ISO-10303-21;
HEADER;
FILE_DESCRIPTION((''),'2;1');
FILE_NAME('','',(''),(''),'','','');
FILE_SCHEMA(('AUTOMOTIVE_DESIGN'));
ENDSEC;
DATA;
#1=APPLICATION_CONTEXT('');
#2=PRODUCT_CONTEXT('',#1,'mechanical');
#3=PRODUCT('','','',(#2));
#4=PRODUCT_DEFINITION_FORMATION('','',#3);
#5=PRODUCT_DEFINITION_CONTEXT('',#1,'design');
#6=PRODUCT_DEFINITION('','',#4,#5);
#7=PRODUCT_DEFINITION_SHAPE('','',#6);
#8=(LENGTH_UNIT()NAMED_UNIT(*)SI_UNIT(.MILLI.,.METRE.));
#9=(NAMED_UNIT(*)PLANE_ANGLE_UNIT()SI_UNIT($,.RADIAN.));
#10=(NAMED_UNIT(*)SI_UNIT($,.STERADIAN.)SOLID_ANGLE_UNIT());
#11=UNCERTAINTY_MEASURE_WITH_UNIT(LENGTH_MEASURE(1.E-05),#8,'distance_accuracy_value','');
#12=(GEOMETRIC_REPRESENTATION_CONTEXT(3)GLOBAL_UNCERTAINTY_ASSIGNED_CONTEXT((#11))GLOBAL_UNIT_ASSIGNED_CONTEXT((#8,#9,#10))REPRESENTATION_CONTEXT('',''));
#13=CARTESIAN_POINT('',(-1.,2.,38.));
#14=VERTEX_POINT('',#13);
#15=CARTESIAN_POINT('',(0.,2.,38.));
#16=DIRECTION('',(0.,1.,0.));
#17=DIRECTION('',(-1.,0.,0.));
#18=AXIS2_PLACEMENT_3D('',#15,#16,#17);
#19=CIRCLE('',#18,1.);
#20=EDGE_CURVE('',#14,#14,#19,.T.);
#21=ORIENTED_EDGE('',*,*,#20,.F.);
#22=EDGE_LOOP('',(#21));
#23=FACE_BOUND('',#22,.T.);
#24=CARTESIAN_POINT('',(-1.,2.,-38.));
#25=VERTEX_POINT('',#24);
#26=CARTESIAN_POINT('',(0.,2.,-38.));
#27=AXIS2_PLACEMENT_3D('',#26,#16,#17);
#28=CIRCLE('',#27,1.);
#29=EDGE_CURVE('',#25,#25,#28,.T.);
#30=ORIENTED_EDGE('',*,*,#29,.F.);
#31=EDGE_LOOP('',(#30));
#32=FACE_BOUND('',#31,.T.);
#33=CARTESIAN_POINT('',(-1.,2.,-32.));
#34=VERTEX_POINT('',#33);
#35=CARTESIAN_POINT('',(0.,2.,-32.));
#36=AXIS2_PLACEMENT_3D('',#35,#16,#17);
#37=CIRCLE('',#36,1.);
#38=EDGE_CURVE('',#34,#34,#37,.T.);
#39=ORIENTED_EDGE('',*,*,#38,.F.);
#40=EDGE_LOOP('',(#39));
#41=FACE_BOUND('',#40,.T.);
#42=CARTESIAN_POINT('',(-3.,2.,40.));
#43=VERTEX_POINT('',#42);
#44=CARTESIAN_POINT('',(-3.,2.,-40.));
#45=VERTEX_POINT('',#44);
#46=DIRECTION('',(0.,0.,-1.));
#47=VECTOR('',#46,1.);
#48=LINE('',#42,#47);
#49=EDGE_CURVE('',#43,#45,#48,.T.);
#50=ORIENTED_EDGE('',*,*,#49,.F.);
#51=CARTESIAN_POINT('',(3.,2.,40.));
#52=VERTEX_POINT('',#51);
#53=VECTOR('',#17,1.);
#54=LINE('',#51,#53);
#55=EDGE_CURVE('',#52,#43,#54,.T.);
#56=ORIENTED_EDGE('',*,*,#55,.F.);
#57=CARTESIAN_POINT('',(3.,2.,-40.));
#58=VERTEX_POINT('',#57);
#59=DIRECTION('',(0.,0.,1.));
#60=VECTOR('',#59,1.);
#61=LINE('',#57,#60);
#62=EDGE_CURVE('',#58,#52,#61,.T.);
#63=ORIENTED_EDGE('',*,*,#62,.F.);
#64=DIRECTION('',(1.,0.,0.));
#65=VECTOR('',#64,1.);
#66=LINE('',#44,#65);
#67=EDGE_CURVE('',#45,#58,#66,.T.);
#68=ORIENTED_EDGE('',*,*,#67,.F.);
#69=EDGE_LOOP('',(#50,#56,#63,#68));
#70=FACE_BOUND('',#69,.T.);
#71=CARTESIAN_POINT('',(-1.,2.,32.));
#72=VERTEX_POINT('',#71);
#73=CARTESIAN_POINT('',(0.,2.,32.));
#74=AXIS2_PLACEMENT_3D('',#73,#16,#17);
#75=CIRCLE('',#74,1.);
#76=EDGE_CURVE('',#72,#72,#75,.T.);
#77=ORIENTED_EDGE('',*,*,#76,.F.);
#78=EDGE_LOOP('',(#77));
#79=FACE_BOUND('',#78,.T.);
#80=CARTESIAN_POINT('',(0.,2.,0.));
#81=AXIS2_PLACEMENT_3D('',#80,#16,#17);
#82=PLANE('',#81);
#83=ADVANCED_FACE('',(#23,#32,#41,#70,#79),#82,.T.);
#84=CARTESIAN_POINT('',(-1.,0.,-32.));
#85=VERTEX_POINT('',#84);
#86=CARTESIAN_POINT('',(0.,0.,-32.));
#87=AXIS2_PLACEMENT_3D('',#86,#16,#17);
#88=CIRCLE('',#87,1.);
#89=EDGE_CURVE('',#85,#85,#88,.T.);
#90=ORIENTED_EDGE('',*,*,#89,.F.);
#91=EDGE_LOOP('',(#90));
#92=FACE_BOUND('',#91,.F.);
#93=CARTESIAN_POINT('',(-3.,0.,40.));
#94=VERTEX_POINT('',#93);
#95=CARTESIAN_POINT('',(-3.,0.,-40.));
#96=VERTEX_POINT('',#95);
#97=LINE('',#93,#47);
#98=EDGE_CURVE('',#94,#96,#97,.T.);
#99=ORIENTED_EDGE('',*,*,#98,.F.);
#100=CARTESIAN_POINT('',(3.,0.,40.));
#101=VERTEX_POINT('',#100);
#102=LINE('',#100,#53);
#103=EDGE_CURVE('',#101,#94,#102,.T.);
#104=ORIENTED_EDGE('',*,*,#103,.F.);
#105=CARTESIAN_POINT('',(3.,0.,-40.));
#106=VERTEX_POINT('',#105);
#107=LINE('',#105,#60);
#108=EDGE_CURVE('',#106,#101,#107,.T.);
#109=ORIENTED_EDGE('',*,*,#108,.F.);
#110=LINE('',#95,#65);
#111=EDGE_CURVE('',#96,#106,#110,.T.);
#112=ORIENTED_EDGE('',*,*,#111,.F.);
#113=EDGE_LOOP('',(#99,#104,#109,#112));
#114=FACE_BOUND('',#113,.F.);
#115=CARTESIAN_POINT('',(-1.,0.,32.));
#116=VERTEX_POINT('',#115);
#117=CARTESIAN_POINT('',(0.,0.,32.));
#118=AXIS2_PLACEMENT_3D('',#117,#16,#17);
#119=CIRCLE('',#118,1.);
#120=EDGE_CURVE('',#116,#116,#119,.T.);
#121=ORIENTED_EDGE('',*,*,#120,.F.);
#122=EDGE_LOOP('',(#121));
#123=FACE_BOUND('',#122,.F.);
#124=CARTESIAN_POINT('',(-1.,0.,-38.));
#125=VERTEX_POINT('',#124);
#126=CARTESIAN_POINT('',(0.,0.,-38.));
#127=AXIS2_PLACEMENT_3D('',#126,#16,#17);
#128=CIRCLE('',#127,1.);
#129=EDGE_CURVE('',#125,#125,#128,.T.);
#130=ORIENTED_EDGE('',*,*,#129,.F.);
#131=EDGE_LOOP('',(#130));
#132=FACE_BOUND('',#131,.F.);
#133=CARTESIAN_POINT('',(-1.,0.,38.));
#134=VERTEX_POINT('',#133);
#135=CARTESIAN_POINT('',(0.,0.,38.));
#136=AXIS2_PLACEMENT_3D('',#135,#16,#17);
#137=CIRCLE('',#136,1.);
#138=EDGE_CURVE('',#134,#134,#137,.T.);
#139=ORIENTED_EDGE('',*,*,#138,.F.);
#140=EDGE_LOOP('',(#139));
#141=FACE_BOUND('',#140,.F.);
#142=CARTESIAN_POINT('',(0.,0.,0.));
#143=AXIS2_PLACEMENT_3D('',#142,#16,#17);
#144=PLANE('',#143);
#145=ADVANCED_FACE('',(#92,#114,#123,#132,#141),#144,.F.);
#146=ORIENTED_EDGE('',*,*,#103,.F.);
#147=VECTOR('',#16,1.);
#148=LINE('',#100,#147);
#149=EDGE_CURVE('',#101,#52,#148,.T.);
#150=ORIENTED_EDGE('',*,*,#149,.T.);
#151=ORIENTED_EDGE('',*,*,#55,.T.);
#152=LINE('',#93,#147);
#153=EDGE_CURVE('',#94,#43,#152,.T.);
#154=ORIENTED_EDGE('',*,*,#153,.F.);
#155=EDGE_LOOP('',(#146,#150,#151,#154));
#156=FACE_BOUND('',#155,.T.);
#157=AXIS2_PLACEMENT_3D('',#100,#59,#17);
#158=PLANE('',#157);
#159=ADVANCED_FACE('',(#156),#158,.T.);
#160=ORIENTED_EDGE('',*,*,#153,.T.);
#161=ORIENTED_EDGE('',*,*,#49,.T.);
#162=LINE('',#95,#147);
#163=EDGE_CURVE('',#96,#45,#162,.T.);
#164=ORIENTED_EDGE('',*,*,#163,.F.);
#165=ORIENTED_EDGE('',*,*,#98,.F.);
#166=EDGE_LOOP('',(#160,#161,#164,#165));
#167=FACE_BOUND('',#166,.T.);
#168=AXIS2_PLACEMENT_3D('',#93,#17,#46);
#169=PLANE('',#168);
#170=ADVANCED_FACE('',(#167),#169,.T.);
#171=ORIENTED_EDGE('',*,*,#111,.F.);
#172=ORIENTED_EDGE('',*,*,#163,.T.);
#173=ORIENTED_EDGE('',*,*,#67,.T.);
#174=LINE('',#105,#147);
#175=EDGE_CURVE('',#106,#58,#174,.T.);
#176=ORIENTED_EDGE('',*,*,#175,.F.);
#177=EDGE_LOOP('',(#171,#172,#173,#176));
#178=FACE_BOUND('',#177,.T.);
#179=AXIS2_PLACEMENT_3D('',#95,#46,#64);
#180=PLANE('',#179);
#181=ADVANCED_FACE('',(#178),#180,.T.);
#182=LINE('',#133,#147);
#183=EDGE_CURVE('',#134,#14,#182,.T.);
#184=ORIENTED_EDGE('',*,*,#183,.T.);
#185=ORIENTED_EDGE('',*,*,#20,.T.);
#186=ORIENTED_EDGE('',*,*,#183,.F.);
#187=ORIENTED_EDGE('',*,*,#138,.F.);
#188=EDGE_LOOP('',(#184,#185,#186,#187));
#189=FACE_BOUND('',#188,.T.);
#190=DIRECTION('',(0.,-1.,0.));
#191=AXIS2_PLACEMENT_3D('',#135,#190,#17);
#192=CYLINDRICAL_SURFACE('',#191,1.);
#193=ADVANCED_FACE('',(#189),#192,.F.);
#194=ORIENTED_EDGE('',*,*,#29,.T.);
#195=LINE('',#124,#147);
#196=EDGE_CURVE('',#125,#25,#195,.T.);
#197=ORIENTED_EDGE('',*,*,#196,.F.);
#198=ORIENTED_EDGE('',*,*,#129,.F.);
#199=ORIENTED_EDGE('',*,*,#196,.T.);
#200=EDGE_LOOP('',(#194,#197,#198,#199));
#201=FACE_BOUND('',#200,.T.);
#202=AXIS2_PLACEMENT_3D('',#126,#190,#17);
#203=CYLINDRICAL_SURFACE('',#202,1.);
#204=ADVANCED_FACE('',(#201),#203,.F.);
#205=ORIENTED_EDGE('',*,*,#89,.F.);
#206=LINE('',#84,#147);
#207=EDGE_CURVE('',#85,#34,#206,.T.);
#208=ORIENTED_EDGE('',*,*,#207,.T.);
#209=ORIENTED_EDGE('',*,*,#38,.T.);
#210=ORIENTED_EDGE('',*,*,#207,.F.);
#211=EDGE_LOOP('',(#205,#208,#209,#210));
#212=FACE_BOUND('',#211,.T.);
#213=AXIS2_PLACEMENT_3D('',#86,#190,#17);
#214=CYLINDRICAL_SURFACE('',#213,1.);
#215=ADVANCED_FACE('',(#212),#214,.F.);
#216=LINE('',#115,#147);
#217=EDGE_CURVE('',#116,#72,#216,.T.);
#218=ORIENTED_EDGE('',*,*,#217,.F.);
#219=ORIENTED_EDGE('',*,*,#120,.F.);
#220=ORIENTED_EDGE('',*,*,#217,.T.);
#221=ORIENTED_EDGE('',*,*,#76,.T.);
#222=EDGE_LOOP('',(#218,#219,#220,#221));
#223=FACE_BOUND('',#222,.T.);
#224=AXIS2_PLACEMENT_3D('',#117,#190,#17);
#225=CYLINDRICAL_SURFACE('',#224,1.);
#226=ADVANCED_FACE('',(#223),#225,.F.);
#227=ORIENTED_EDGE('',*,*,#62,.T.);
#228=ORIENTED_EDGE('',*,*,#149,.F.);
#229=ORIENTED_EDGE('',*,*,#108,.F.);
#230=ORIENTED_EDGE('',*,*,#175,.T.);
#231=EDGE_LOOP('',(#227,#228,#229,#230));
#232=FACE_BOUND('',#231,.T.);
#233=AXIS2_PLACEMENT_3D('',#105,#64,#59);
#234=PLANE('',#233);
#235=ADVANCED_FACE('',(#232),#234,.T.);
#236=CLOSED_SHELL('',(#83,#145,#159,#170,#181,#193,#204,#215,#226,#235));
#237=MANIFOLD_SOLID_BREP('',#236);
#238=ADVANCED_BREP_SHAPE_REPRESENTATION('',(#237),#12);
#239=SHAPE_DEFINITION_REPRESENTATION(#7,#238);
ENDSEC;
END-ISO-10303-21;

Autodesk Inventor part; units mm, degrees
ref_plane "YZ Plane" through (0, 0, 0) normal (1, 0, 0) x (0, 1, 0)
ref_plane "XZ Plane" through (0, 0, 0) normal (0, 1, 0) x (-1, 0, 0)
ref_plane "XY Plane" through (0, 0, 0) normal (0, 0, 1) x (1, 0, 0)
sketch "Sketch1" plane through (0, 0, 0) normal (0, 1, 0) x (-1, 0, 0)
  line L0 (-3, 40) -> (3, 40)
  line L1 (3, 40) -> (3, -40)
  line L2 (3, -40) -> (-3, -40)
  line L3 (-3, -40) -> (-3, 40)
  circle A0 centre (0, 38) radius 1
  circle A1 centre (0, 32) radius 1
  circle A2 centre (0, -32) radius 1
  circle A3 centre (0, -38) radius 1
  point P0 (0, 0)
extrude "Extrusion1" add sketch "Sketch1" along normal blind 2
properties part number "camera_arm"
